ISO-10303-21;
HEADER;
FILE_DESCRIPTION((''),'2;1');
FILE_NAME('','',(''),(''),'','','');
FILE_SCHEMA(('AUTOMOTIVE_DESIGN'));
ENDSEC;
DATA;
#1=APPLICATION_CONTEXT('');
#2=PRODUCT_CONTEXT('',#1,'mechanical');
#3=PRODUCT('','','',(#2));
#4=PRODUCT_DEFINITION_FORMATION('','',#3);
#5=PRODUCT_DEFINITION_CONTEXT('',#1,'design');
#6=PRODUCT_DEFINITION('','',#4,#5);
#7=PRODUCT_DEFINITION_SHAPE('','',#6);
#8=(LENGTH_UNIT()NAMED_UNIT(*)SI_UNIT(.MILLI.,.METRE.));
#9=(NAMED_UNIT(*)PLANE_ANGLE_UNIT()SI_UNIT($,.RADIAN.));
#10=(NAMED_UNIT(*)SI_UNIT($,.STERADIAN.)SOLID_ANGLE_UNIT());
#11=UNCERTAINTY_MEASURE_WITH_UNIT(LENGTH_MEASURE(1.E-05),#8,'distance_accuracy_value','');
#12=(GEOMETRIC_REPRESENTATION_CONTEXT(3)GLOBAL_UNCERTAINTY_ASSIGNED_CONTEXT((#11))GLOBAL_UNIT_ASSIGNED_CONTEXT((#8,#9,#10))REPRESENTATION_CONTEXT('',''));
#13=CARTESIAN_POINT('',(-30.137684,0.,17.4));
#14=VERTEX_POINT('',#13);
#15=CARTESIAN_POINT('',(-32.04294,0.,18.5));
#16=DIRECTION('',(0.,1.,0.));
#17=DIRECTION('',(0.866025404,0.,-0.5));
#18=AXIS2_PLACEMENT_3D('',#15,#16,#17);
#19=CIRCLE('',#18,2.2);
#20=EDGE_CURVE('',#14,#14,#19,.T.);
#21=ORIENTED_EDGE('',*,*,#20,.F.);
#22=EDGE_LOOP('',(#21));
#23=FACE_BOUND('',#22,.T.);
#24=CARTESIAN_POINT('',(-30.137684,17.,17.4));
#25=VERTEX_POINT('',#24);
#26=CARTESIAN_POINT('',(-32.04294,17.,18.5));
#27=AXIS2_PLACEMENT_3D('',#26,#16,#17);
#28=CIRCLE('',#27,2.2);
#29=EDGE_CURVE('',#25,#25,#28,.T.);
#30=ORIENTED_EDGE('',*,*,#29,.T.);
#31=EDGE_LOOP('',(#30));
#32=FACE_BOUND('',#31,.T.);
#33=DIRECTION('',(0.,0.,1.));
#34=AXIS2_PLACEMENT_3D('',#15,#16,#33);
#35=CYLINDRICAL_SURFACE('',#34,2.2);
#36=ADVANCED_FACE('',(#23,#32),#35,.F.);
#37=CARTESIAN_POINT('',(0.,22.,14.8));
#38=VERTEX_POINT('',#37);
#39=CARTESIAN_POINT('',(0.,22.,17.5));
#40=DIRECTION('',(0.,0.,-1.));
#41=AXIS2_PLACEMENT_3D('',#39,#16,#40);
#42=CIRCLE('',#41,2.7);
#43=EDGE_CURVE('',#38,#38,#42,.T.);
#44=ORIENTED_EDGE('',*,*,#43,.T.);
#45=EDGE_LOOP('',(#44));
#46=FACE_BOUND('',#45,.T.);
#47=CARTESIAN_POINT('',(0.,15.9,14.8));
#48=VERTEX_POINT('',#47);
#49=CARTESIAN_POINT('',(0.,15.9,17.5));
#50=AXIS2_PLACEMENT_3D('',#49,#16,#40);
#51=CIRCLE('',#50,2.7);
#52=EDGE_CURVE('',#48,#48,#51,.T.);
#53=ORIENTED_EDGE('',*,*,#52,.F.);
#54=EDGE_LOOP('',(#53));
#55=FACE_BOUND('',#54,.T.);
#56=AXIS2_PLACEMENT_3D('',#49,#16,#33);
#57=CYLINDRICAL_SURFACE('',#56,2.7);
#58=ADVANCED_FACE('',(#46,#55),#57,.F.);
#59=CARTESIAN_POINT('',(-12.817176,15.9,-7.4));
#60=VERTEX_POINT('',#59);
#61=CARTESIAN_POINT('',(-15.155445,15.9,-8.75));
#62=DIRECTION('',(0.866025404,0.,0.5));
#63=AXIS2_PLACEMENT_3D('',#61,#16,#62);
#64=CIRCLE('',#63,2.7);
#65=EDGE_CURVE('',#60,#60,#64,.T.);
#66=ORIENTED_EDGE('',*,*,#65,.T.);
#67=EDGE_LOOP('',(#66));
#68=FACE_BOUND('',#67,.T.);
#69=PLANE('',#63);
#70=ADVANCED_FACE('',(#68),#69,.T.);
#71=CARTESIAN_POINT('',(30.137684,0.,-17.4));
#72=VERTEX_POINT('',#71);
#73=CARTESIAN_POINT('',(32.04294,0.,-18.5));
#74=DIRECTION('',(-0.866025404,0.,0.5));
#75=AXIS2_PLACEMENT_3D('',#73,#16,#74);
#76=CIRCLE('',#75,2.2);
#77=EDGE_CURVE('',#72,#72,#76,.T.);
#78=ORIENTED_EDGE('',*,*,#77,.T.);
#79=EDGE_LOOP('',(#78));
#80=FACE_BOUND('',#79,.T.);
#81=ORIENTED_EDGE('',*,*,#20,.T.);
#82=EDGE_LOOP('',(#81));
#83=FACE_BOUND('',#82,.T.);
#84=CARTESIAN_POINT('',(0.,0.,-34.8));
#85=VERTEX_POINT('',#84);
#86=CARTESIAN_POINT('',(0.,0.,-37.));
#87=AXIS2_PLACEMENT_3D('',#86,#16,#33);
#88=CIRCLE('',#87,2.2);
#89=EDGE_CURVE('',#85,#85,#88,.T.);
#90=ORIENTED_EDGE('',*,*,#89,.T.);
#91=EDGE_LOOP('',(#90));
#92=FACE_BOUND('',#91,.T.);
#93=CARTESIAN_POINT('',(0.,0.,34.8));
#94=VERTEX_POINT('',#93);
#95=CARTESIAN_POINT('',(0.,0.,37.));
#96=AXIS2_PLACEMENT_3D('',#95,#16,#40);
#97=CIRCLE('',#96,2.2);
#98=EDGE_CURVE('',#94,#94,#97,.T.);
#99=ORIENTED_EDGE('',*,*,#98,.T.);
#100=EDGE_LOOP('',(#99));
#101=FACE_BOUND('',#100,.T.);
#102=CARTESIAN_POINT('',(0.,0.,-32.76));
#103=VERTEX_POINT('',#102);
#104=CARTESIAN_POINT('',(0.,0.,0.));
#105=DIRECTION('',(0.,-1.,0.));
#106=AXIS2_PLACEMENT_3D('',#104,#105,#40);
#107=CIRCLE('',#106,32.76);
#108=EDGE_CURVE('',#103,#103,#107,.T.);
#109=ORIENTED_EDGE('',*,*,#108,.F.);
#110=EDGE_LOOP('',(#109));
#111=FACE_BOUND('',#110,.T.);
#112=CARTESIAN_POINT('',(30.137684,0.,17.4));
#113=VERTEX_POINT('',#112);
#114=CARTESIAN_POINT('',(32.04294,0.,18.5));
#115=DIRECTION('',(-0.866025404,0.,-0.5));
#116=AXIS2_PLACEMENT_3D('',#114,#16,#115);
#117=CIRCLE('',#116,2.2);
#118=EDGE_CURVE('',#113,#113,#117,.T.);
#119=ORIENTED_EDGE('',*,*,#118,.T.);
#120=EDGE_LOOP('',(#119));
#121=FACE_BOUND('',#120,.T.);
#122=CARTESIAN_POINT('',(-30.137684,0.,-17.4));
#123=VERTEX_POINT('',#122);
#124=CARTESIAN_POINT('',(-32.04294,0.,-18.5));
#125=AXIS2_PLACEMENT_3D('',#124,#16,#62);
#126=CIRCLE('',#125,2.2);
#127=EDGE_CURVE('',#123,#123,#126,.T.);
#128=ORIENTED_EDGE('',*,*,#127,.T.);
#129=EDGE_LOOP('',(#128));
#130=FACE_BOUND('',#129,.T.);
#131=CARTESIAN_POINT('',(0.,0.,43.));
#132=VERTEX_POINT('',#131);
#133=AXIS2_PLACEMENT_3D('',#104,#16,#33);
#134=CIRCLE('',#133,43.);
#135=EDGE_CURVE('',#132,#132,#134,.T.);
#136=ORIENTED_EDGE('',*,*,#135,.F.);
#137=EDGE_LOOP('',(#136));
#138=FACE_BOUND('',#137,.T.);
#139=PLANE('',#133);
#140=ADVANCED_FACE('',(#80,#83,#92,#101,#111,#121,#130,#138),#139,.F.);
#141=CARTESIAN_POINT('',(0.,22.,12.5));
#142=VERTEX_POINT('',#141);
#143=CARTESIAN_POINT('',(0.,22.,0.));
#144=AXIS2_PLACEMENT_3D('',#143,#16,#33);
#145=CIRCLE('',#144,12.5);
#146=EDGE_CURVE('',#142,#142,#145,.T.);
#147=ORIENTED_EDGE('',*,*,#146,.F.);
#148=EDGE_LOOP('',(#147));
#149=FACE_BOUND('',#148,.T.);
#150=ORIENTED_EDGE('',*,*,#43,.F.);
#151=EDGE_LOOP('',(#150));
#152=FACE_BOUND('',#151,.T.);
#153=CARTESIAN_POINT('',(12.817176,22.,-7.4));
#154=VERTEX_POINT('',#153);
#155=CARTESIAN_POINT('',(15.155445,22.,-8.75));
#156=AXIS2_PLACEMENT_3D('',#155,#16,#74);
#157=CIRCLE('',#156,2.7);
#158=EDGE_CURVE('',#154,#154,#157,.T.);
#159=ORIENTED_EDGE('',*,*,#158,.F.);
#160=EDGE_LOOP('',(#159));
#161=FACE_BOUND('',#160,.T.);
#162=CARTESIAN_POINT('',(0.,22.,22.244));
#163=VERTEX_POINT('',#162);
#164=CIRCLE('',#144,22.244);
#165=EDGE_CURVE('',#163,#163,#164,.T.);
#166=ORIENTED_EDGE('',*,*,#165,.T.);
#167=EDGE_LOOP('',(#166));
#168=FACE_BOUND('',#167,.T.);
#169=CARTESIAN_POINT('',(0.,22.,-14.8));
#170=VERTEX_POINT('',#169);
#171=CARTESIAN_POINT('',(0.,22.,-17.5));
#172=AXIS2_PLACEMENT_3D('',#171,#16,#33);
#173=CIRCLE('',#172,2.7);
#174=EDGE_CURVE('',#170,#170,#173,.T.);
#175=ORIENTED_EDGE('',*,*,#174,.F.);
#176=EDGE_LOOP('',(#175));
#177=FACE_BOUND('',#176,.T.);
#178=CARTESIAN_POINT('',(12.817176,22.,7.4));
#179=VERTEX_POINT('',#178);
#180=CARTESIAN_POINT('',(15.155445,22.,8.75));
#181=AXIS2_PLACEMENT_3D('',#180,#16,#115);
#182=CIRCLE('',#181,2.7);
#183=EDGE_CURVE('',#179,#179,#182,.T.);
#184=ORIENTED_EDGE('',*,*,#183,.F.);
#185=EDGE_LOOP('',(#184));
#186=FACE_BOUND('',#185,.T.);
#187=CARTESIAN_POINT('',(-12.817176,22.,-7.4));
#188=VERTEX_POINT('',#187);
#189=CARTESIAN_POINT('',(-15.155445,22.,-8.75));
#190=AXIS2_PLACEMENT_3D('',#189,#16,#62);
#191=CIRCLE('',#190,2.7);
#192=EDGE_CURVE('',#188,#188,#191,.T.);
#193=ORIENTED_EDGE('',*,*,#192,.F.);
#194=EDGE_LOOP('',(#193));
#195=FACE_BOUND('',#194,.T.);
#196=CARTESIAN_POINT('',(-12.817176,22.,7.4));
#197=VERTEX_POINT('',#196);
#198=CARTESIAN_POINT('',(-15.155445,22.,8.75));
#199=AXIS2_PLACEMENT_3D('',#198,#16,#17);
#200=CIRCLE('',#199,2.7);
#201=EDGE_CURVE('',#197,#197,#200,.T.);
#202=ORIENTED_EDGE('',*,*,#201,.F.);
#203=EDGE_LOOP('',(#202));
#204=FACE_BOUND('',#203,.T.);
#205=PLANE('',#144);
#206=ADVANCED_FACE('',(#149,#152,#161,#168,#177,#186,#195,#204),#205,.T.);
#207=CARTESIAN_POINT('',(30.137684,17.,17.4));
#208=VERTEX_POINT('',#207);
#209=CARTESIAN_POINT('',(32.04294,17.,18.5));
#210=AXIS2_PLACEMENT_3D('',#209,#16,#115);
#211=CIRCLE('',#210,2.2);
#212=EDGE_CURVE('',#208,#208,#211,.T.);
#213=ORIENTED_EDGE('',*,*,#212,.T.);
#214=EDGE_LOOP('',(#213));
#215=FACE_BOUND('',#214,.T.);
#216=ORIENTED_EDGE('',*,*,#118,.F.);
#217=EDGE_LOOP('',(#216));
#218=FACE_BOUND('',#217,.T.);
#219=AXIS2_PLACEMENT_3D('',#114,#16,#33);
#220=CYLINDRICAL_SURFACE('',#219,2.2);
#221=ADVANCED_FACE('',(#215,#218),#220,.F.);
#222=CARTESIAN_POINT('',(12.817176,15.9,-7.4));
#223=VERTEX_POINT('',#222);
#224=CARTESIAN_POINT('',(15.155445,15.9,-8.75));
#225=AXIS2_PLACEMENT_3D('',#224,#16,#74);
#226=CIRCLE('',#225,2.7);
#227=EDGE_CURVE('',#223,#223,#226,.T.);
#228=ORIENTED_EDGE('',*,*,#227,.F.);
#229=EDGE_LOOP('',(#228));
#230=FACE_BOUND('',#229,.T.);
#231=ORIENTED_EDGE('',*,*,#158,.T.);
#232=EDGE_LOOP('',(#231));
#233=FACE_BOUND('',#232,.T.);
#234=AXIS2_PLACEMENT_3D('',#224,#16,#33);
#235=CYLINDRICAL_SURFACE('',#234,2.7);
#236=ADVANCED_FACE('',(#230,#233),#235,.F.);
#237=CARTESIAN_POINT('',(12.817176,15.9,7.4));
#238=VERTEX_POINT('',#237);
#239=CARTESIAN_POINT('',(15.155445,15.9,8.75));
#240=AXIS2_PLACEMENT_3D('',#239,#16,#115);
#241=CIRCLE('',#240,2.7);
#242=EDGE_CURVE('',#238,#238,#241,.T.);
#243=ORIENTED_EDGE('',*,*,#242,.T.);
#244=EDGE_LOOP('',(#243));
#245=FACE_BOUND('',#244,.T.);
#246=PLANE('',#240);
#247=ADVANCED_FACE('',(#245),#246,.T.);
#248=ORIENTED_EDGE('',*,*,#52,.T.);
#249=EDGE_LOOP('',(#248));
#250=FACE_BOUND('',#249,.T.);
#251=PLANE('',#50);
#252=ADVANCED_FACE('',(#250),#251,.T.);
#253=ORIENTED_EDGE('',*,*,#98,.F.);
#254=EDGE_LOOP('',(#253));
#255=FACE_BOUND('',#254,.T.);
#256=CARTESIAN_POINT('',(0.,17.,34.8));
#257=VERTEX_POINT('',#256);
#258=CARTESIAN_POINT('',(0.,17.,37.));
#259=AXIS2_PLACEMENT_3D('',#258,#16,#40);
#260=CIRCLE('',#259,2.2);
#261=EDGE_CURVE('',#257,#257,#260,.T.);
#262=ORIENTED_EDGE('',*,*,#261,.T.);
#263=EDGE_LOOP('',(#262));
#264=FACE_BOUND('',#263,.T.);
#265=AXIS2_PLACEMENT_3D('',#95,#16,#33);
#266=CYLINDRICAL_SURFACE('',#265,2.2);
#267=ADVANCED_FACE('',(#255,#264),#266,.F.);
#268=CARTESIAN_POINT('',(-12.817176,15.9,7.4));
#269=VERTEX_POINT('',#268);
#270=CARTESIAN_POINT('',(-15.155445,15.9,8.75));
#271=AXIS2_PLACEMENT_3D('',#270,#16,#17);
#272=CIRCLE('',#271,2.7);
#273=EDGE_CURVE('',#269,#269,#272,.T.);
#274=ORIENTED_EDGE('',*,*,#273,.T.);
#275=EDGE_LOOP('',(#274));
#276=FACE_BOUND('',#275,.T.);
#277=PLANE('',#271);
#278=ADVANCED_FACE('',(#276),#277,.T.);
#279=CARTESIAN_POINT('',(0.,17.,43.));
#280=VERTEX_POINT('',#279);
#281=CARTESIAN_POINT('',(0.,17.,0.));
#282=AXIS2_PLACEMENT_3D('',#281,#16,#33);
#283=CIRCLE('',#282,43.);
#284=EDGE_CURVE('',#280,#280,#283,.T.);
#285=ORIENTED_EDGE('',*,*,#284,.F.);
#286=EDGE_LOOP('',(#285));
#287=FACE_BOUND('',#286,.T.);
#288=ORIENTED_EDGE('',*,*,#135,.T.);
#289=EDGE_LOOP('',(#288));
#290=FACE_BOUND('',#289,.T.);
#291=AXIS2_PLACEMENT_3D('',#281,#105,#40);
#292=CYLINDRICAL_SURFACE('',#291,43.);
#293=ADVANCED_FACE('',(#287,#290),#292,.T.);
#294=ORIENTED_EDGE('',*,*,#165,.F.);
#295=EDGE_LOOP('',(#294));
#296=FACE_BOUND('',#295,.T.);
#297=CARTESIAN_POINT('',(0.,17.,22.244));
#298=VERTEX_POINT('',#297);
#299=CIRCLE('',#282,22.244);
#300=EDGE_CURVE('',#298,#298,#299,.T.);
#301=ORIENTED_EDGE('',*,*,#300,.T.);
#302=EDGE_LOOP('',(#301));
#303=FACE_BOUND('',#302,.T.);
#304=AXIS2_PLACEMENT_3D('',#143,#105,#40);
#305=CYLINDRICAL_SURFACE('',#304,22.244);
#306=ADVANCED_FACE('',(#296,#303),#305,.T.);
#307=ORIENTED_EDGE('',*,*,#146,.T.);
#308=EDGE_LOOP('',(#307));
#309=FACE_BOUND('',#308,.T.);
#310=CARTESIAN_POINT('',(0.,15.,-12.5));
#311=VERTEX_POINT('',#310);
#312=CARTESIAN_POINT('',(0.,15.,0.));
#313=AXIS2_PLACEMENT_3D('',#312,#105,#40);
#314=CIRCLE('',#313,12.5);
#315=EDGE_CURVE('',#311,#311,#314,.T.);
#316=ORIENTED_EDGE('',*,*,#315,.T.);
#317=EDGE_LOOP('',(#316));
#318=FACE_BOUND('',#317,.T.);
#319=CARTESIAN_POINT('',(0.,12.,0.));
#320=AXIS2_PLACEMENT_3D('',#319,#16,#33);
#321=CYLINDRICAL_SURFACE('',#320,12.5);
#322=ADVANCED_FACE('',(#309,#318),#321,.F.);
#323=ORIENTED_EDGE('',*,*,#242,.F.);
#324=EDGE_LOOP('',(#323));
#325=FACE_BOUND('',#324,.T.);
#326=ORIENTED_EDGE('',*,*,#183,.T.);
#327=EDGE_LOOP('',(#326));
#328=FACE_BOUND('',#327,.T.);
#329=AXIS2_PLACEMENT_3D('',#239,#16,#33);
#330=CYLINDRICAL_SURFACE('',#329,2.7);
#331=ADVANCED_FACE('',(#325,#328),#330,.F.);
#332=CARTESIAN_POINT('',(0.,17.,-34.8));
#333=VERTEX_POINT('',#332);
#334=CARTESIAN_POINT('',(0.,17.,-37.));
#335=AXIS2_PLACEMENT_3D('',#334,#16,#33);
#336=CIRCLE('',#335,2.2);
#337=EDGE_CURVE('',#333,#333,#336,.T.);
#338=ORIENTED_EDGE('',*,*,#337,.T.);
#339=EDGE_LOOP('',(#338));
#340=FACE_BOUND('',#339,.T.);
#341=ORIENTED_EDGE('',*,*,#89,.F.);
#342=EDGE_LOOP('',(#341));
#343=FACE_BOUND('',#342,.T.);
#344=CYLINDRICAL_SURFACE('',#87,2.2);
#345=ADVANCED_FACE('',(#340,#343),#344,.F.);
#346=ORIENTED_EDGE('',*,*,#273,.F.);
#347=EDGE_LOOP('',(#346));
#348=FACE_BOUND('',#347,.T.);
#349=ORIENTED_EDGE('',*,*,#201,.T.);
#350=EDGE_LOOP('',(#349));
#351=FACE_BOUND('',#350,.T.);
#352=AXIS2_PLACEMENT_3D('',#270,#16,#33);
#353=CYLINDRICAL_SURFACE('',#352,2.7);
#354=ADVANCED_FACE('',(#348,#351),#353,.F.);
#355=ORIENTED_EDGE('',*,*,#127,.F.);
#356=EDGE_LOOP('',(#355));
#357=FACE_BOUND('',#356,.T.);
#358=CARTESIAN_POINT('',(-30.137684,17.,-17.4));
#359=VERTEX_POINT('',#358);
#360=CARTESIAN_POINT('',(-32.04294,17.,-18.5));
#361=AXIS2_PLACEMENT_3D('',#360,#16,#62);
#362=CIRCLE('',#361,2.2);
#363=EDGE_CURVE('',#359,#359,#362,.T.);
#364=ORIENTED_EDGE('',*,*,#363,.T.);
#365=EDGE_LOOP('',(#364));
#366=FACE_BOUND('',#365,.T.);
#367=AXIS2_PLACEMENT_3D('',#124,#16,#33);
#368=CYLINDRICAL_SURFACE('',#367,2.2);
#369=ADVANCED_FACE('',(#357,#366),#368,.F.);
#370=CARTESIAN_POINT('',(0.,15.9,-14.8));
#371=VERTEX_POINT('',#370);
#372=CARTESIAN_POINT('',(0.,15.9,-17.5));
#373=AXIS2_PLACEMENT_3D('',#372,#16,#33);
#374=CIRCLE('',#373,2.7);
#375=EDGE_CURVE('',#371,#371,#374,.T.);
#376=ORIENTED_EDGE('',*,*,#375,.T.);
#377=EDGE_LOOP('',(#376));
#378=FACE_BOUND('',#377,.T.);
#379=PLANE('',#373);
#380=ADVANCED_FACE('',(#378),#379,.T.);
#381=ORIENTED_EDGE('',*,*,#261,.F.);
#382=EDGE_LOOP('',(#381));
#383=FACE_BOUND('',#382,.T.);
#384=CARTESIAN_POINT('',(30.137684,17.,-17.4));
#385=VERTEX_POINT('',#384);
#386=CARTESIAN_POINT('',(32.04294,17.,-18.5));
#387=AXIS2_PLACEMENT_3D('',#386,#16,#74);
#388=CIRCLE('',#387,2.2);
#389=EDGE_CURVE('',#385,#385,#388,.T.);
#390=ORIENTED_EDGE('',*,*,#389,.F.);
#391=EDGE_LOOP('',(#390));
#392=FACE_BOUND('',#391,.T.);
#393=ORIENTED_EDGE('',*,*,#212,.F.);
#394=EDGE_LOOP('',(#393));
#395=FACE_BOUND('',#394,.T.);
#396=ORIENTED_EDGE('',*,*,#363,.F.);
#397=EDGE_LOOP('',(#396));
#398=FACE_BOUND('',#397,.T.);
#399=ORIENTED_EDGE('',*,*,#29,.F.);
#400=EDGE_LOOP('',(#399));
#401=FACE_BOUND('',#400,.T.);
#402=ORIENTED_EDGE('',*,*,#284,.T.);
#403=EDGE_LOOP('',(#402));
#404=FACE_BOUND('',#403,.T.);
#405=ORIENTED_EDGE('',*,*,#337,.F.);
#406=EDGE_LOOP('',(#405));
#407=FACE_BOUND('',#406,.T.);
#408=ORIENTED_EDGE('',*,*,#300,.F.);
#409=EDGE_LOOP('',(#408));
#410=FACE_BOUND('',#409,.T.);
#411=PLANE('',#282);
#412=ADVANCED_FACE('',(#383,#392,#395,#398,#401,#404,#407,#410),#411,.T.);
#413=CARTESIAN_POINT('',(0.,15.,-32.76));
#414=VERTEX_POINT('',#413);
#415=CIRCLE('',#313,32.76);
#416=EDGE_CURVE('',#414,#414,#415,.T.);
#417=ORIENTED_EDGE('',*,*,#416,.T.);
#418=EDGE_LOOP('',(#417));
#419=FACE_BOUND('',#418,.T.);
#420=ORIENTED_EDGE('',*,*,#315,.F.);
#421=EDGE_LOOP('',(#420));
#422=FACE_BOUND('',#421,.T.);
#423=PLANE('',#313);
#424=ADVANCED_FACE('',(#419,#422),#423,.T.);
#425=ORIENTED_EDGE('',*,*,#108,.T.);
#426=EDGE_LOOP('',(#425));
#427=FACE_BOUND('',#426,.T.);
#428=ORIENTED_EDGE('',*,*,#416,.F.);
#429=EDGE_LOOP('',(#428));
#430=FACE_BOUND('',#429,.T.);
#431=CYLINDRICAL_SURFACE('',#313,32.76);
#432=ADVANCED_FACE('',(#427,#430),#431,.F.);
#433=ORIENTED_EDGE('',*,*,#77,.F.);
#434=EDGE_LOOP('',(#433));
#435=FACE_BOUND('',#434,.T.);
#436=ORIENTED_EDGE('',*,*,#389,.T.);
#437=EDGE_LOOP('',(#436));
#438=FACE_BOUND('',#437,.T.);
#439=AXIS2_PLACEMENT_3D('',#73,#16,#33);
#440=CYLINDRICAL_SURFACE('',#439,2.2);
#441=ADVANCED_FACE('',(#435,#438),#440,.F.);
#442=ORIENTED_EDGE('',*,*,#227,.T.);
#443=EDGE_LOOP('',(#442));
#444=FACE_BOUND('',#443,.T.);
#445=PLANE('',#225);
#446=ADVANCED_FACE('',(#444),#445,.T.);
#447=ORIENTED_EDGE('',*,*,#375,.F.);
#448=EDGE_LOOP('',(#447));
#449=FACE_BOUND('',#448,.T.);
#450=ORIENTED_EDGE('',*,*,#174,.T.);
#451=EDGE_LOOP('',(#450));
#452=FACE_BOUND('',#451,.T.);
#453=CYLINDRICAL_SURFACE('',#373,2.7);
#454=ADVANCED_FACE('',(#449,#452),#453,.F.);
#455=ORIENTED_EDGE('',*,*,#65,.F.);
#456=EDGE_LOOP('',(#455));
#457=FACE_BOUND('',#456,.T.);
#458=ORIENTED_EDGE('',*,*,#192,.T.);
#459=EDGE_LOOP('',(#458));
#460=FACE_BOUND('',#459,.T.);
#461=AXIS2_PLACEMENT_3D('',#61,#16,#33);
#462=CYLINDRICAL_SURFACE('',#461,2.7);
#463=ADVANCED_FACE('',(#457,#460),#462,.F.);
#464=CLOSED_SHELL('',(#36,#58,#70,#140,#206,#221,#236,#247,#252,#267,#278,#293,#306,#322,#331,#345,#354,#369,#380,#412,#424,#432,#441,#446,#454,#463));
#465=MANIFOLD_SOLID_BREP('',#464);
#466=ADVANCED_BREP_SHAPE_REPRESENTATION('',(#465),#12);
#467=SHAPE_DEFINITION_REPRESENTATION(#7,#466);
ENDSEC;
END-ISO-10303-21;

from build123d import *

# Parameters (mm, degrees)
SKETCH_22_R              = 43
EXTRUDE_5_DEPTH          = 17
SKETCH_24_R              = 22.244
EXTRUDE_6_DEPTH          = 5
SKETCH_25_R              = 32.76
CUT_EXTRUDE_9_DEPTH      = 15
SKETCH_26_R              = 12.5
CUT_EXTRUDE_10_DEPTH     = 10
SKETCH_27_R              = 2.7
CUT_EXTRUDE_11_DEPTH     = 6.1
PATTERN_CIRCULAR_6_COUNT = 6
SKETCH_29_R              = 2.2
CUT_EXTRUDE_12_DEPTH     = 64.14269554
PATTERN_CIRCULAR_7_COUNT = 6


with BuildPart() as part:
    # 스케치22 → 보스-돌출5 (new body)
    with BuildSketch(Plane(origin=(0, 0, 0), x_dir=(1, 0, 0), z_dir=(0, 1, 0))):
        with Locations(Location((0, 0, 0), (0, 0, 270))):
            Circle(SKETCH_22_R)
    extrude(amount=EXTRUDE_5_DEPTH)

    # 스케치24 → 보스-돌출6 (add)
    with BuildSketch(Plane(origin=(0, 17, 0), x_dir=(1, 0, 0), z_dir=(0, 1, 0))):
        with Locations(Location((0, 0, 0), (0, 0, 270))):
            Circle(SKETCH_24_R)
    extrude(amount=EXTRUDE_6_DEPTH)

    # 스케치25 → 컷-돌출9 (cut)
    with BuildSketch(Plane.XZ):
        with Locations(Location((0, 0, 0), (0, 0, 270))):
            Circle(SKETCH_25_R)
    extrude(amount=-CUT_EXTRUDE_9_DEPTH, mode=Mode.SUBTRACT)

    # 스케치26 → 컷-돌출10 (cut)
    with BuildSketch(Plane(origin=(0, 22, 0), x_dir=(1, 0, 0), z_dir=(0, 1, 0))):
        with Locations(Location((0, 0, 0), (0, 0, 270))):
            Circle(SKETCH_26_R)
    extrude(amount=-CUT_EXTRUDE_10_DEPTH, mode=Mode.SUBTRACT)

    # 스케치27 → 컷-돌출11 (cut)
    with BuildSketch(Plane(origin=(0, 22, 0), x_dir=(1, 0, 0), z_dir=(0, 1, 0))):
        with Locations(Location((0, 17.5, 0), (0, 0, 270))):
            Circle(SKETCH_27_R)
    cut_extrude_11 = extrude(amount=-CUT_EXTRUDE_11_DEPTH, mode=Mode.SUBTRACT)

    # 원형 패턴6: 컷-돌출11 ×6 about axis
    pattern_circular_6_axis = Axis((0, 0, 0), (0, 1, 0))
    for i in range(1, PATTERN_CIRCULAR_6_COUNT):
        add(cut_extrude_11.rotate(pattern_circular_6_axis, i * 360 / PATTERN_CIRCULAR_6_COUNT), mode=Mode.SUBTRACT)

    # 스케치29 → 컷-돌출12 (cut, through all)
    with BuildSketch(Plane(origin=(0, 17, 0), x_dir=(1, 0, 0), z_dir=(0, 1, 0))):
        with Locations(Location((0, 37, 0), (0, 0, 270))):
            Circle(SKETCH_29_R)
    cut_extrude_12 = extrude(amount=-CUT_EXTRUDE_12_DEPTH, mode=Mode.SUBTRACT)

    # 원형 패턴7: 컷-돌출12 ×6 about axis
    pattern_circular_7_axis = Axis((0, 0, 0), (0, 1, 0))
    for i in range(1, PATTERN_CIRCULAR_7_COUNT):
        add(cut_extrude_12.rotate(pattern_circular_7_axis, i * 360 / PATTERN_CIRCULAR_7_COUNT), mode=Mode.SUBTRACT)


solid = part.part
